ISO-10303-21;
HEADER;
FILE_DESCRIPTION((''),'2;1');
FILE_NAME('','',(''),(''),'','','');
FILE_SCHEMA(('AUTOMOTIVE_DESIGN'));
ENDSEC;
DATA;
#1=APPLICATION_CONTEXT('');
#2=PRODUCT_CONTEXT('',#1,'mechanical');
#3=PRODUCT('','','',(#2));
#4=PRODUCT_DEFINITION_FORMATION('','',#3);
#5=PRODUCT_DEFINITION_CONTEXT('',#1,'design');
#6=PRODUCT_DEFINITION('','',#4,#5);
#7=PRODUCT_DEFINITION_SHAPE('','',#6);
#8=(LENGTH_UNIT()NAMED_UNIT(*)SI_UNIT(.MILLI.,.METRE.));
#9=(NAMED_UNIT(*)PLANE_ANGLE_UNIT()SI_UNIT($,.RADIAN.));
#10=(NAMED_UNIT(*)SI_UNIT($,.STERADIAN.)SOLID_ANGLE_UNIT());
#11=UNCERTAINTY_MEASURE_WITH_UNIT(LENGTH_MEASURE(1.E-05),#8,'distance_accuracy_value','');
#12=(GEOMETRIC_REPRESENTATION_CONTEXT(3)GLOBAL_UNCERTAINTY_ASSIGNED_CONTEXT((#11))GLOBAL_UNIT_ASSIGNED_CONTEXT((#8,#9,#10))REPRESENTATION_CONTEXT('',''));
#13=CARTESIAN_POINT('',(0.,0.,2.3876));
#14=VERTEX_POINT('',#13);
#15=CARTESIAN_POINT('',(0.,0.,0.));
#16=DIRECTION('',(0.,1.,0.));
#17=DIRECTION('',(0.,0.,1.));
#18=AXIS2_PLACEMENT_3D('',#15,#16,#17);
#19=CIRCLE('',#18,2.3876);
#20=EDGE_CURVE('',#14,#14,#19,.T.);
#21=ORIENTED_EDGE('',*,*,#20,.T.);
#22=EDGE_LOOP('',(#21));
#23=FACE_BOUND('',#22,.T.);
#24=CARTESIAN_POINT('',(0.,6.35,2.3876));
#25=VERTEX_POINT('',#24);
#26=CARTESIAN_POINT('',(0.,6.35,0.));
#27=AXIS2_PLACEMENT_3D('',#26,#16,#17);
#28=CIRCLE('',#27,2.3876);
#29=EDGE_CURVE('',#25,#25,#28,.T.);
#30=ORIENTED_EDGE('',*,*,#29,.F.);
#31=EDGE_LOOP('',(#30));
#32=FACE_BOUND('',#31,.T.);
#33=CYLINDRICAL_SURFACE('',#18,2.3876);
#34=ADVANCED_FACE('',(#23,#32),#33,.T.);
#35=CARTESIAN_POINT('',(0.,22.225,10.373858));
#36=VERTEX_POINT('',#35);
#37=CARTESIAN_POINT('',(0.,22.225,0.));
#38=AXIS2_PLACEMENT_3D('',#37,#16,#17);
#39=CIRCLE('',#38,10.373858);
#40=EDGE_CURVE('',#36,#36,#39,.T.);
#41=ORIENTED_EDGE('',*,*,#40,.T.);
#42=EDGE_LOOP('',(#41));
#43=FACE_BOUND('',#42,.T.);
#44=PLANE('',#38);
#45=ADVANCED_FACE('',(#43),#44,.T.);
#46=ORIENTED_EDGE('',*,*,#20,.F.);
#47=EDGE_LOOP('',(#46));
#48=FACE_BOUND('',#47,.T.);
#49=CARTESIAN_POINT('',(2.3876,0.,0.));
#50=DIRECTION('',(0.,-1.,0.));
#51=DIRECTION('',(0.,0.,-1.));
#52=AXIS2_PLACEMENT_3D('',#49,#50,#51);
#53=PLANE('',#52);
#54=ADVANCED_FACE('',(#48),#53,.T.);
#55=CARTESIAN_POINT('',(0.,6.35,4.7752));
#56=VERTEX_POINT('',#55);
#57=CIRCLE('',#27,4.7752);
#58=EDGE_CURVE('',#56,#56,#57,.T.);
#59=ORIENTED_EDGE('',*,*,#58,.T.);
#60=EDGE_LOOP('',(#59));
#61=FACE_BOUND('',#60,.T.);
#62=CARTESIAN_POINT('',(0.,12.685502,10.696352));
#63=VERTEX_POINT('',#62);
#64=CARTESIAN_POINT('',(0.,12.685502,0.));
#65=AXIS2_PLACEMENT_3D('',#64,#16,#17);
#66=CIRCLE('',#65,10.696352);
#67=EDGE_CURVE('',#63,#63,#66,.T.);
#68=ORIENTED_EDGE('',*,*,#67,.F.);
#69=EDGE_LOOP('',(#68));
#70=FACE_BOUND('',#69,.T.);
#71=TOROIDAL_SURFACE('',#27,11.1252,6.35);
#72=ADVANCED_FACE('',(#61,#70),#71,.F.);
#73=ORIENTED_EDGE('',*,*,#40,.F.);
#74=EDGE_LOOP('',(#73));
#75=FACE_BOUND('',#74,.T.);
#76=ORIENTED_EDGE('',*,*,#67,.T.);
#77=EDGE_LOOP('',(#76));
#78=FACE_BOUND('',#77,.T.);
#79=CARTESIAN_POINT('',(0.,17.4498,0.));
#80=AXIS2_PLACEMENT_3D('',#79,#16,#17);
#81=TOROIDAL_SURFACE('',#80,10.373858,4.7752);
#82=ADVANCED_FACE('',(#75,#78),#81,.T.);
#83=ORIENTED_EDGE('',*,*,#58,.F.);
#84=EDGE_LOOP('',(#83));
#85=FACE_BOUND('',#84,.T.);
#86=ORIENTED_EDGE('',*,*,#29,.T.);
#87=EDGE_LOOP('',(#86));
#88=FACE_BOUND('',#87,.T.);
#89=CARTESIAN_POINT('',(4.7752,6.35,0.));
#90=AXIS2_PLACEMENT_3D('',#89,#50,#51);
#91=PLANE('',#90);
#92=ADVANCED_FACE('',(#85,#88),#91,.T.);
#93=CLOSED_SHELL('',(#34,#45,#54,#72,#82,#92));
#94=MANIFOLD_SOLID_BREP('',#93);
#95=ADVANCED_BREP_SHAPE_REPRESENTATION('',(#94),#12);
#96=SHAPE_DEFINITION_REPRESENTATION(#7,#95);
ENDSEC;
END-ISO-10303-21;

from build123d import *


with BuildPart() as part:
    # 스케치1 → 회전1 (revolve)
    with BuildSketch(Plane(origin=(0, 0, 0), x_dir=(-1, 0, 0), z_dir=(0, 0, -1)), mode=Mode.PRIVATE) as revolve_1_sk:
        with BuildLine():
            Line((-2.3876, 0), (0, 0))
            Line((0, 0), (0, 22.225))
            Line((0, 22.225), (-10.373857868, 22.225))
            ThreePointArc((-10.373857868, 22.225), (-15.146331518, 17.611139056), (-10.696351751, 12.685502283))
            ThreePointArc((-10.696351751, 12.685502283), (-6.485928162, 10.685857102), (-4.7752, 6.35))
            Line((-4.7752, 6.35), (-2.3876, 6.35))
            Line((-2.3876, 6.35), (-2.3876, 0))
        make_face()
    revolve(revolve_1_sk.sketch.rotate(Axis((0, 0, 0), (0, 1, 0)), 270), axis=Axis((0, 0, 0), (0, 1, 0)))


solid = part.part
